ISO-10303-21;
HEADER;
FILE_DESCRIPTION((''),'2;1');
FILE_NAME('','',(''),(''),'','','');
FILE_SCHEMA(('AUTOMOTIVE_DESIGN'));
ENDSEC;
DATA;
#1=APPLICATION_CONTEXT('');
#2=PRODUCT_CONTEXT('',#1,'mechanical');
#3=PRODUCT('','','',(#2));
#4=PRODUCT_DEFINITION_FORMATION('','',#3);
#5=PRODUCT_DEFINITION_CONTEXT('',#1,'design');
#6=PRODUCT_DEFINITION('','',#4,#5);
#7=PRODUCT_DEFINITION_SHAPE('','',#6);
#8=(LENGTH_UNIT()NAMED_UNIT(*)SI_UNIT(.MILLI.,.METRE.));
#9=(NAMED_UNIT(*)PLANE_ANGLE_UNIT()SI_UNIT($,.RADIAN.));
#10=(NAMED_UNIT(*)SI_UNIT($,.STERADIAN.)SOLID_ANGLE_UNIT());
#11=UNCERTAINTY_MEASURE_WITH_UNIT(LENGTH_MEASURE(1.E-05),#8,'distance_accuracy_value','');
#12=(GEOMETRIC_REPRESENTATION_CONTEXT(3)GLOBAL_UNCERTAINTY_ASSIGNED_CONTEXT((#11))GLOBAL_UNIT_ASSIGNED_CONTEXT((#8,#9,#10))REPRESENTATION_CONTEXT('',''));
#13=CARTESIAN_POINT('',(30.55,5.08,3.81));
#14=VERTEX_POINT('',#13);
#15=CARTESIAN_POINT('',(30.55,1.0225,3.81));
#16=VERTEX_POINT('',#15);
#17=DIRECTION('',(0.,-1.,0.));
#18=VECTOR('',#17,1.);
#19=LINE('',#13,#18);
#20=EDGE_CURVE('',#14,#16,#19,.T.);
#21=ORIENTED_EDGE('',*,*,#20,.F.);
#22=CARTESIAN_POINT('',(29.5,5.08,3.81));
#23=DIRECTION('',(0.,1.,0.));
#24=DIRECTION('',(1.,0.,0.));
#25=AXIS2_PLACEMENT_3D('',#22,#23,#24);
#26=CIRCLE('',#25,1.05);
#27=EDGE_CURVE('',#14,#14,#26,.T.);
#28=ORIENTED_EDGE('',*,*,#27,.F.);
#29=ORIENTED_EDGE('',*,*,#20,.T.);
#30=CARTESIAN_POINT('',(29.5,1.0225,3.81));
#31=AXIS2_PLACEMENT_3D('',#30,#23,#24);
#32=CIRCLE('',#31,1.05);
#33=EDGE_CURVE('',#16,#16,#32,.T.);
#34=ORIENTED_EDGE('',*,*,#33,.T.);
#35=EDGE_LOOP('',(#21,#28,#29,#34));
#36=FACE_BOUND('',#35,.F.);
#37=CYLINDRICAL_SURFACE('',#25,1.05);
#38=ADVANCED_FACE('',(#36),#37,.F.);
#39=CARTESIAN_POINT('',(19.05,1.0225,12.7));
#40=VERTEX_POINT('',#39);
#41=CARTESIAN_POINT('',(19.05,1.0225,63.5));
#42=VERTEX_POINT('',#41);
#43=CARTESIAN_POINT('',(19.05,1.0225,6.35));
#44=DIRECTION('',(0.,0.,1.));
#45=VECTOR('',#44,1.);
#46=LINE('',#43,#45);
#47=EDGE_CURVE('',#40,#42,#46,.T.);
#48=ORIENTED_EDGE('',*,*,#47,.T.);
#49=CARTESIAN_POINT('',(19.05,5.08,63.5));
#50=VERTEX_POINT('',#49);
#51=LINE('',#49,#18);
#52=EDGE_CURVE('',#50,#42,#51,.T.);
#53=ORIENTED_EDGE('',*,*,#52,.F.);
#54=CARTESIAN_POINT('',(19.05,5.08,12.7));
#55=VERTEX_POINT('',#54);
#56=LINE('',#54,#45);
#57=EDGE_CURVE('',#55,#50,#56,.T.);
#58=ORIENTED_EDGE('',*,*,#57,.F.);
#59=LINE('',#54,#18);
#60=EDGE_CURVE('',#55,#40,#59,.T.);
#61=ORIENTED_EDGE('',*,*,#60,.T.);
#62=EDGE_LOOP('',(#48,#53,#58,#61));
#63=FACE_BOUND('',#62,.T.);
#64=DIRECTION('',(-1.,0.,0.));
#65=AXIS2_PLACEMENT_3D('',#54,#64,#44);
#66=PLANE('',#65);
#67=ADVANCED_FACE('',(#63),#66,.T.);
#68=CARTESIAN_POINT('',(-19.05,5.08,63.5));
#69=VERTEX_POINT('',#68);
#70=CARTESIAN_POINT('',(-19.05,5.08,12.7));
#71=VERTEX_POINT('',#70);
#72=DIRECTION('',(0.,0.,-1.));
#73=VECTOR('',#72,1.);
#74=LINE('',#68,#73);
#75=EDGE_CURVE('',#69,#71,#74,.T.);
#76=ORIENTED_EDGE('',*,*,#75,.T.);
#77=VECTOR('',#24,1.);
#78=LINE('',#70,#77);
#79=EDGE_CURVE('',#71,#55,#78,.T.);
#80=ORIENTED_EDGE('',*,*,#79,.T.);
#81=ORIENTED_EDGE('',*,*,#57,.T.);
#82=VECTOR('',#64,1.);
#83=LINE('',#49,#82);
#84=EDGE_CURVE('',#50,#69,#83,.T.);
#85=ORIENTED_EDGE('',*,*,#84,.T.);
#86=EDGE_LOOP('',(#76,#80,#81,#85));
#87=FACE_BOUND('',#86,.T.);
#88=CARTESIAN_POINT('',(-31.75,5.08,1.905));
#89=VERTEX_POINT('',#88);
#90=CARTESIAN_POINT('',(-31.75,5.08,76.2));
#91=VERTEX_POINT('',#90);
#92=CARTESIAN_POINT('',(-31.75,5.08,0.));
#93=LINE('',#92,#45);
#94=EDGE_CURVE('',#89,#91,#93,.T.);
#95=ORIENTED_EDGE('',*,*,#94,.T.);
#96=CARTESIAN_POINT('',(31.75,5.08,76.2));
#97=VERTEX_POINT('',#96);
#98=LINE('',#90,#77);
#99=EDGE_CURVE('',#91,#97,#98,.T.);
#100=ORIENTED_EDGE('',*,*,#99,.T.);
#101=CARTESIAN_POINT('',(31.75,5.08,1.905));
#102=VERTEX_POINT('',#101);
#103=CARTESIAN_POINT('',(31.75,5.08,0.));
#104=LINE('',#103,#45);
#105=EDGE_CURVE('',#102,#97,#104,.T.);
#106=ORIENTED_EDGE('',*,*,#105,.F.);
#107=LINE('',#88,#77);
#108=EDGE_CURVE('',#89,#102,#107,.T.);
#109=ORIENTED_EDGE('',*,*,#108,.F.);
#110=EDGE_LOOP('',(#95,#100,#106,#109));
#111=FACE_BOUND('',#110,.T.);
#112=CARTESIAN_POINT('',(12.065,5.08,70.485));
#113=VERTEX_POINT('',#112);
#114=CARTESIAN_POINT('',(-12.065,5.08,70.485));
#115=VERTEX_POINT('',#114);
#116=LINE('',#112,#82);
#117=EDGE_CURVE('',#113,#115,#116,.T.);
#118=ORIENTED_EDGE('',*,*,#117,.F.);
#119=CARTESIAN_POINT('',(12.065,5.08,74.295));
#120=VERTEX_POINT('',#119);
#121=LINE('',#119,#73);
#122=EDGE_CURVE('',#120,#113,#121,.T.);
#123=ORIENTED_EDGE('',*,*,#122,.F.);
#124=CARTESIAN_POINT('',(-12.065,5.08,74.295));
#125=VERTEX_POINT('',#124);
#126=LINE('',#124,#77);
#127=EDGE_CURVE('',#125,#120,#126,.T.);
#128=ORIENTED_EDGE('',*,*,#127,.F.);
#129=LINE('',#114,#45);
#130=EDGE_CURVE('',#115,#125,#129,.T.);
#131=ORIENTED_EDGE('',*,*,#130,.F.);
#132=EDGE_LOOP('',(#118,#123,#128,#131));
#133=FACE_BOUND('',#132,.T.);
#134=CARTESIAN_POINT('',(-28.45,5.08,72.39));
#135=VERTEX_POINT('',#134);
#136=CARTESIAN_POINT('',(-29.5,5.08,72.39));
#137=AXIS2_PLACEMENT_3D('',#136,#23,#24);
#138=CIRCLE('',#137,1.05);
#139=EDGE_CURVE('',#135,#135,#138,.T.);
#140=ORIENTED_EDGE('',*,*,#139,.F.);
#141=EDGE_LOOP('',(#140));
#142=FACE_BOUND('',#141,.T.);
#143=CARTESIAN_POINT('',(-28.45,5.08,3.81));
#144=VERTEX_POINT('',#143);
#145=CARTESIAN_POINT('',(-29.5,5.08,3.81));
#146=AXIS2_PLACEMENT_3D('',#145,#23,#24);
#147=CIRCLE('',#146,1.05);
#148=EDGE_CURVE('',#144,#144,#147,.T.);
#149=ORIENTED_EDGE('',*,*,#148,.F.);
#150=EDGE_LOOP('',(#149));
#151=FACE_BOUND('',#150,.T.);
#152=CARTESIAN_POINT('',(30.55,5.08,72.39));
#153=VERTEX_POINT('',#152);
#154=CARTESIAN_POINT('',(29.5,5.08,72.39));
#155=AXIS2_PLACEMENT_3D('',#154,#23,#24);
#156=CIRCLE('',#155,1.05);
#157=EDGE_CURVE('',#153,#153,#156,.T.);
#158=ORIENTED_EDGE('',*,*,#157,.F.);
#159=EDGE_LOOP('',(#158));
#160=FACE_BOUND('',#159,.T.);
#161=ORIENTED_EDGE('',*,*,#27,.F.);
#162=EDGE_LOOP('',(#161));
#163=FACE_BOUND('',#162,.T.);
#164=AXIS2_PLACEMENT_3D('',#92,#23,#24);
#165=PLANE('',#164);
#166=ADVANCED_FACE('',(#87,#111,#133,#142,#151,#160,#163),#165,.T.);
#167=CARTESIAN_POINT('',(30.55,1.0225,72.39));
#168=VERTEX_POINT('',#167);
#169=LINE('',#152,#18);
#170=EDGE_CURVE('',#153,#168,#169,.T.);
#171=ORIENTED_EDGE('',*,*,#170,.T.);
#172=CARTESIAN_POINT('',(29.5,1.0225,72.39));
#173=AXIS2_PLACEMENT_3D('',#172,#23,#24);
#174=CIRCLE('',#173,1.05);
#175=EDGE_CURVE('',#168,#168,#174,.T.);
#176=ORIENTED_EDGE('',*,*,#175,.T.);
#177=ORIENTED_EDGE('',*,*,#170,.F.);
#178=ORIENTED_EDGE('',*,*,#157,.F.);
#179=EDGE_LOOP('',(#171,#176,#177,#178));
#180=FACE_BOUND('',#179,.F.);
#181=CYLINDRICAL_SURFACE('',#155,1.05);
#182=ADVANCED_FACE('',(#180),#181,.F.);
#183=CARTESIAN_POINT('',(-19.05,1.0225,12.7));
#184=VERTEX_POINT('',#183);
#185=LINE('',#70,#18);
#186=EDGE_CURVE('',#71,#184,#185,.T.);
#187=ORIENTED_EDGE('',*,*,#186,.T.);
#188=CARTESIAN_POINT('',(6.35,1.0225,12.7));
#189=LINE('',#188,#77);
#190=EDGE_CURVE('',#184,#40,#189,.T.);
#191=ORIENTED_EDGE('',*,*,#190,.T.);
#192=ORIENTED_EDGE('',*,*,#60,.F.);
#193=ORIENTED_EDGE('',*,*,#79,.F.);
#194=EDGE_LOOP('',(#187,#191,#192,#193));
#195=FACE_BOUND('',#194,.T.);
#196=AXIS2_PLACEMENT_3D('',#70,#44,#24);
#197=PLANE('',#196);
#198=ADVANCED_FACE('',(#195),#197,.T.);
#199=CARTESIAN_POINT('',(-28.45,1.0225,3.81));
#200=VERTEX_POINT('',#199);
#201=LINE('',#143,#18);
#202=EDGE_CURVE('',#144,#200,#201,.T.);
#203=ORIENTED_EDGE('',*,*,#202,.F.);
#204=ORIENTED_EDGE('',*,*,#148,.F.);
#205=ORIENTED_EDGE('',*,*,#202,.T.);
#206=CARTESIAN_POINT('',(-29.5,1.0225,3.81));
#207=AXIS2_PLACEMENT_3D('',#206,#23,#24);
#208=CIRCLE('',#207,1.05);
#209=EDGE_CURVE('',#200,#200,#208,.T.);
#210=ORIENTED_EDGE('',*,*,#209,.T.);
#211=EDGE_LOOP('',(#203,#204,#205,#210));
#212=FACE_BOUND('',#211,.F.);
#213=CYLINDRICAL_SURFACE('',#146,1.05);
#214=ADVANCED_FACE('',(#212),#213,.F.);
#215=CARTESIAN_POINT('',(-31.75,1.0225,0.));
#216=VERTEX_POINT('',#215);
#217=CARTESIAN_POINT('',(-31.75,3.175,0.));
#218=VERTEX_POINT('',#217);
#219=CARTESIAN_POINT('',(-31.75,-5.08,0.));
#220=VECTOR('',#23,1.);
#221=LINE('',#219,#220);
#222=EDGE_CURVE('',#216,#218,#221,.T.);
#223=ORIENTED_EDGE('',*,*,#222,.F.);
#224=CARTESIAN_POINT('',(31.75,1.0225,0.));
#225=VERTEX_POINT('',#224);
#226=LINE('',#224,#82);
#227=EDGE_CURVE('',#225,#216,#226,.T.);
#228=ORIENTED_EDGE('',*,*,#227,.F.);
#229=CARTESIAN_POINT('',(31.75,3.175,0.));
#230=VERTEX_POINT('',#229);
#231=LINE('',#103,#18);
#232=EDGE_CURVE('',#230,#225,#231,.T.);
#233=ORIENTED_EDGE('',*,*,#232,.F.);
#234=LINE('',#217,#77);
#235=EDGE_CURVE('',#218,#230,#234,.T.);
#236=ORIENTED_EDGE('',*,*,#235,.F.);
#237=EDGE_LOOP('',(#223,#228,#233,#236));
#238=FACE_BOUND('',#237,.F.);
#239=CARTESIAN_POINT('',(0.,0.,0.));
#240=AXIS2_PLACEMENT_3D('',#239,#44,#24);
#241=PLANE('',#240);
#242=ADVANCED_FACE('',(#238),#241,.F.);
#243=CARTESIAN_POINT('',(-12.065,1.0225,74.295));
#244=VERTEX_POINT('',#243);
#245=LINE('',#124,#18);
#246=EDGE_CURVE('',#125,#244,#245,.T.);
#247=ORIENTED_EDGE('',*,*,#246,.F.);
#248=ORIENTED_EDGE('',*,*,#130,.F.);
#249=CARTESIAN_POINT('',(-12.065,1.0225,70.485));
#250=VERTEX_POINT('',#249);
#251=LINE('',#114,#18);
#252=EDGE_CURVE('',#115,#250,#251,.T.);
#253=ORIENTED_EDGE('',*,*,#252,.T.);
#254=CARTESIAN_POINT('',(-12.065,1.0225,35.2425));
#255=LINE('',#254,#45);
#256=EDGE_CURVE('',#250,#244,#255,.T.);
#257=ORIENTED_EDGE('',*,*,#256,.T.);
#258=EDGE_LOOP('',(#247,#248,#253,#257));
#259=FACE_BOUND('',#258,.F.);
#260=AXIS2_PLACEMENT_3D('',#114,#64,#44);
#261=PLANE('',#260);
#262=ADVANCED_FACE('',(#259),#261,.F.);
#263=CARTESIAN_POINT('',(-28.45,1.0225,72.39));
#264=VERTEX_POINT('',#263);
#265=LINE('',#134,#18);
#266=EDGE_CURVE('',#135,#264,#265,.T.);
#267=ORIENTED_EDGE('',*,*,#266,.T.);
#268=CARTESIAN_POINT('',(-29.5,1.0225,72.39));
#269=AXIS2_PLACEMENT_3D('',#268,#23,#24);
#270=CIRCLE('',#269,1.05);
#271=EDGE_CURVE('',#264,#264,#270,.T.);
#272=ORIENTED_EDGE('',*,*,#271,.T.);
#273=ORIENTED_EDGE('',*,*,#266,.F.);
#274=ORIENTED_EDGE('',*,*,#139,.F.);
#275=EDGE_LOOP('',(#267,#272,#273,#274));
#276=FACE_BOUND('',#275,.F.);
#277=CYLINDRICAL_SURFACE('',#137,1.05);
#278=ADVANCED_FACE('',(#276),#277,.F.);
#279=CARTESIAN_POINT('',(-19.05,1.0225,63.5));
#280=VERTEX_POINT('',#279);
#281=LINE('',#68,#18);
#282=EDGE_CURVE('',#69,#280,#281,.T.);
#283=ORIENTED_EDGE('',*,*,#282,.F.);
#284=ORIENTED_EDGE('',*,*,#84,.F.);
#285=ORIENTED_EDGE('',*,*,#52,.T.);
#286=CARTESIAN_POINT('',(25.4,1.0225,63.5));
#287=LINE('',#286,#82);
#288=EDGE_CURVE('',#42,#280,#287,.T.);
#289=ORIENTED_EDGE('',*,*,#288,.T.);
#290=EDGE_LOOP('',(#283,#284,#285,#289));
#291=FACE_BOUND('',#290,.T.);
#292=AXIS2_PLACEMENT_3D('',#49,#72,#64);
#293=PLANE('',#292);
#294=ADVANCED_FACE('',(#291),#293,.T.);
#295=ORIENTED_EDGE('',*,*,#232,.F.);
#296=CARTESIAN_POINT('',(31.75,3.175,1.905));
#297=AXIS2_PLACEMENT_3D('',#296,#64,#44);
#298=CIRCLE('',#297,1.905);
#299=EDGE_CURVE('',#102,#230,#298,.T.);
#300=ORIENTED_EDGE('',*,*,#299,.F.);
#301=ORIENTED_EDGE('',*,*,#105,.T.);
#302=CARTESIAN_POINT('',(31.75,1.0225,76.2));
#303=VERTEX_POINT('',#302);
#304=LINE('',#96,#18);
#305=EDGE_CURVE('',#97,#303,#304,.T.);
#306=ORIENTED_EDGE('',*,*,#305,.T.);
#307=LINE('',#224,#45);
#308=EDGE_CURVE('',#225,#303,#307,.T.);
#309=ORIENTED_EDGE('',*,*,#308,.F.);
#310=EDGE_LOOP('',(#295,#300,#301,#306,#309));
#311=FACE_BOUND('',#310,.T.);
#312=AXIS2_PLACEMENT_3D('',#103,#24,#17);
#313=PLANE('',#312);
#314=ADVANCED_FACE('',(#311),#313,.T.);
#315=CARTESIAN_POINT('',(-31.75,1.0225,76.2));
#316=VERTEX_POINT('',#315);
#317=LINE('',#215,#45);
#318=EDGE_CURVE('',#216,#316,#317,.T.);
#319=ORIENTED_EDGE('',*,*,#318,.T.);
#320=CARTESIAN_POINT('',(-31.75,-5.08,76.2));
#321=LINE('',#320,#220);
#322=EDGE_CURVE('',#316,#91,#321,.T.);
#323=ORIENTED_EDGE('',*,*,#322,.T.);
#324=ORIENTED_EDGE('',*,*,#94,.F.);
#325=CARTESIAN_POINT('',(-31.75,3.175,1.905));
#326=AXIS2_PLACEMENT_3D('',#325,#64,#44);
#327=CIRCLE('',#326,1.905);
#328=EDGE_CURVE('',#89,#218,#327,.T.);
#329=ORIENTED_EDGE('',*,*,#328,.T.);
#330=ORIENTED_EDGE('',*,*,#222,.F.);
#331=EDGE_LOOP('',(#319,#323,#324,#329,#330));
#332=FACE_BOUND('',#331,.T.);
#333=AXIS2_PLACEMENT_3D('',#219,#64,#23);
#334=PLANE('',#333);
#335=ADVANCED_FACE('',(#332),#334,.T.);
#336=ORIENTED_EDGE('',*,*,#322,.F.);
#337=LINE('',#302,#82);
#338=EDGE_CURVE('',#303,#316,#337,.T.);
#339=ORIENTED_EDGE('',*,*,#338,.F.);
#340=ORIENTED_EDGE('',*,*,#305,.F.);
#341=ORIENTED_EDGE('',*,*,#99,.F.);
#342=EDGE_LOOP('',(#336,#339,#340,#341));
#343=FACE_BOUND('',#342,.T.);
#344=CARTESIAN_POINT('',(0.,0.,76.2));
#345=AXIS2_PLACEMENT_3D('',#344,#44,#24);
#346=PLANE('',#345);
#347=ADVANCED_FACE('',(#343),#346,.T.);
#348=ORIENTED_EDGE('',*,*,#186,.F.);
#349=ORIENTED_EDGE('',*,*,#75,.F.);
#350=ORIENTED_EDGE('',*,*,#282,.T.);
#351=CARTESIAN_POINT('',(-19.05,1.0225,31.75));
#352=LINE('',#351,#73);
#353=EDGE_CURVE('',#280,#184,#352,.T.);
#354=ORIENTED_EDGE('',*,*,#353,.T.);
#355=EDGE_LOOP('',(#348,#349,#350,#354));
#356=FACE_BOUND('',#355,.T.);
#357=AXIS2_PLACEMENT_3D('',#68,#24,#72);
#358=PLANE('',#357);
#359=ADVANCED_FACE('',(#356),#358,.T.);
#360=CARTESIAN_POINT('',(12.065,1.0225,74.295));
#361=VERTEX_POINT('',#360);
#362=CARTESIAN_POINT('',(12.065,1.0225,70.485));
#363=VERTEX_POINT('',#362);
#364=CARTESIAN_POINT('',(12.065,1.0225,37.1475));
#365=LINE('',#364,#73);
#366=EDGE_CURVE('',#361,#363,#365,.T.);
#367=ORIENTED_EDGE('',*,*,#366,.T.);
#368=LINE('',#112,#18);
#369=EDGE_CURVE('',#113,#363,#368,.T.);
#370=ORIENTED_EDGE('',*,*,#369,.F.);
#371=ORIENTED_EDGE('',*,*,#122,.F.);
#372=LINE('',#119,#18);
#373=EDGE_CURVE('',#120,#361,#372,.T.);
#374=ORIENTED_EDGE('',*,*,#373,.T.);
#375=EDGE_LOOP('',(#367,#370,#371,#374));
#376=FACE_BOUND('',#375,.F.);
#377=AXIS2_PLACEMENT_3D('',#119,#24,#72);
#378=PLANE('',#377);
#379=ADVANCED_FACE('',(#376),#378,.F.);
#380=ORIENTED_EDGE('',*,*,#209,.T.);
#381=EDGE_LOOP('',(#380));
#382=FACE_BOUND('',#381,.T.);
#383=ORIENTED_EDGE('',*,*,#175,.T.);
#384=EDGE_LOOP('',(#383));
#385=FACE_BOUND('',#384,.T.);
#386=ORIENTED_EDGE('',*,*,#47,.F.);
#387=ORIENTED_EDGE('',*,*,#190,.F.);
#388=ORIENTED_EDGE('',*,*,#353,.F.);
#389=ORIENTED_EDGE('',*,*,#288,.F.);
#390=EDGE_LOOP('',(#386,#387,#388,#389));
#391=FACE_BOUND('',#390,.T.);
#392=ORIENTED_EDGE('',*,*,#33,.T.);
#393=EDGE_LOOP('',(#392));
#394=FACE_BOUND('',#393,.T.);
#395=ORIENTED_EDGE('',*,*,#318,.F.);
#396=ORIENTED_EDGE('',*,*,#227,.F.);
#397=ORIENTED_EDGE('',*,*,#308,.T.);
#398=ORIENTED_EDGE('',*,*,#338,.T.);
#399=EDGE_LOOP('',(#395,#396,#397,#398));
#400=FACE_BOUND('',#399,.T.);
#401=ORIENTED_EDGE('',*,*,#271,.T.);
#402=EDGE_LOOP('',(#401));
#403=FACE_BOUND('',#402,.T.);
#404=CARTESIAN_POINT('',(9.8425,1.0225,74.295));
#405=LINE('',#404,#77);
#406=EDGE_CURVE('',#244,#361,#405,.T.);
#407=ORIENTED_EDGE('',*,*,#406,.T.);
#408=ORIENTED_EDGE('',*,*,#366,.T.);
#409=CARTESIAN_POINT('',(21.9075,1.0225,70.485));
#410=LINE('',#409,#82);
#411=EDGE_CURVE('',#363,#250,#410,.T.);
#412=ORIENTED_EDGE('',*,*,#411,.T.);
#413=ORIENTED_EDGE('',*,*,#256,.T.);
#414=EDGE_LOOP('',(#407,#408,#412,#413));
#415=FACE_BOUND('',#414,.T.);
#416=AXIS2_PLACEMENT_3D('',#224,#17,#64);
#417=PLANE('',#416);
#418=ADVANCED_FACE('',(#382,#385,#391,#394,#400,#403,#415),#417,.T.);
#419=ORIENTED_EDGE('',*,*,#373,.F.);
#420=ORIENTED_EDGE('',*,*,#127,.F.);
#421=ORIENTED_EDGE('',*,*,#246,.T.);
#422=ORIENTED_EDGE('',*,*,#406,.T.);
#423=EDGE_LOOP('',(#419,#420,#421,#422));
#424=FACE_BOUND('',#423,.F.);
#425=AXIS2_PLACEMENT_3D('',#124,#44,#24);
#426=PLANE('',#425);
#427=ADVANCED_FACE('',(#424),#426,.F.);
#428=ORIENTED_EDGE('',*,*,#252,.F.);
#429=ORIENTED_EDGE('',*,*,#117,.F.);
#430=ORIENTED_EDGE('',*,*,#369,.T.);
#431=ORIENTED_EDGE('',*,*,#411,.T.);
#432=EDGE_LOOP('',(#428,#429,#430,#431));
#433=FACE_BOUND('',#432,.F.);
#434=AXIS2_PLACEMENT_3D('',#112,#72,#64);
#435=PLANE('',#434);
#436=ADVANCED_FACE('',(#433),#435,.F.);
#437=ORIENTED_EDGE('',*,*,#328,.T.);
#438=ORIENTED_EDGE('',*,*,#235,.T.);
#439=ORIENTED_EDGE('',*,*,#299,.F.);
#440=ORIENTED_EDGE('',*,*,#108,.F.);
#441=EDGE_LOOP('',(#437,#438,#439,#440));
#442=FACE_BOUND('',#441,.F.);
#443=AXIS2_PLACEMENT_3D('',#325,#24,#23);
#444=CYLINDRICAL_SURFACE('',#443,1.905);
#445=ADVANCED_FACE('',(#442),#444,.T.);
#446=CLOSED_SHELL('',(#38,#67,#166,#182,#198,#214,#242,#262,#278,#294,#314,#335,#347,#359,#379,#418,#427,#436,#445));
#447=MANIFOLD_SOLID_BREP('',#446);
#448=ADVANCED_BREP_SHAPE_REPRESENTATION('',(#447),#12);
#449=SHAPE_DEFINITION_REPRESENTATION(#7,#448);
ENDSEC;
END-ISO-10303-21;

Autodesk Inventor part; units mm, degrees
ref_plane "YZ Plane" through (0, 0, 0) normal (1, 0, 0) x (0, 1, 0)
ref_plane "XZ Plane" through (0, 0, 0) normal (0, 1, 0) x (-1, 0, 0)
ref_plane "XY Plane" through (0, 0, 0) normal (0, 0, 1) x (1, 0, 0)
sketch "Sketch1" plane through (0, 0, 0) normal (0, 0, 1) x (1, 0, 0)
  line L0 (-31.75, 5.08) -> (31.75, 5.08)
  line L1 (31.75, 5.08) -> (31.75, -5.08)
  line L2 (31.75, -5.08) -> (-31.75, -5.08)
  line L3 (-31.75, -5.08) -> (-31.75, 5.08)
  point P0 (0, 0)
  dimension "d0" = 63.5
  dimension "d3" = 31.75
  dimension "d4" = 10.16
  dimension "d17" = 5.08
extrude "Extrusion1" add sketch "Sketch1" along normal blind 76.2
sketch "Sketch3" plane through (0, 0, 76.2) normal (0, 0, 1) x (1, 0, 0)
  line L0 (-27.25, 0.3875) -> (27.25, 0.3875)
  line L1 (27.25, 0.3875) -> (27.25, -0.3745)
  line L2 (27.25, -0.3745) -> (-27.25, -0.3745)
  line L3 (-27.25, -0.3745) -> (-27.25, 0.3875)
  line L4 (-31.75, 5.08) -> (-31.75, -5.08) projected
  point P0 (0, 0)
  point P1 (-27.25, 0.0065)
  dimension "d6" = 0.762
  dimension "d7" = 54.5
  dimension "d8" = 4.5
extrude "Extrusion2" cut sketch "Sketch3" against normal blind 85.1
sketch "Sketch8" plane through (0, 0, 76.2) normal (0, 0, 1) x (1, 0, 0)
  line L0 (-31.75, 5.08) -> (-31.75, -5.08) projected
  line L1 (31.75, -5.08) -> (31.75, 5.08) projected
  line L2 (-31.75, -5.08) -> (31.75, -5.08)
  line L3 (31.75, -5.08) -> (31.75, 0.3875)
  line L4 (31.75, 0.3875) -> (-31.75, 0.3875)
  line L5 (-31.75, 0.3875) -> (-31.75, -5.08)
  line L6 (-27.25, 0.3875) -> (27.25, 0.3875) projected
  point P0 (0, 0)
  point P1 (-31.75, 0.3875)
  dimension "d30" = 0
extrude "Extrusion6" cut sketch "Sketch8" against normal blind 76.2
sketch "Sketch9" plane through (-31.75, 5.08, 0) normal (0, 1, 0) x (1, 0, 0)
  line L0 (63.5, 0) -> (0, 0) projected
  line L1 (0, 0) -> (0, -76.2) projected
  line L2 (63.5, -76.2) -> (0, -76.2) projected
  line L3 (63.5, 0) -> (63.5, -76.2) projected
  line L4 (12.7, -12.7) -> (50.8, -12.7)
  line L5 (50.8, -12.7) -> (50.8, -63.5)
  line L6 (50.8, -63.5) -> (12.7, -63.5)
  line L7 (12.7, -63.5) -> (12.7, -12.7)
  point P0 (31.75, 0)
  dimension "d33" = 12.7
extrude "Extrusion7" cut sketch "Sketch9" against normal blind 25.4 contours L4 L5 L6 L7
sketch "Sketch11" plane through (-31.75, 5.08, 0) normal (0, 1, 0) x (1, 0, 0)
  circle A0 centre (61.25, -72.39) radius 1.05
  line L0 (59, -76.2) -> (63.5, -76.2)
  line L1 (59, 0) -> (59, -76.2)
  circle A1 centre (2.25, -72.39) radius 1.05
  line L2 (0, 0) -> (0, -76.2)
  line L3 (0, -76.2) -> (4.5, -76.2)
  circle A2 centre (2.25, -3.81) radius 1.05
  circle A3 centre (61.25, -3.81) radius 1.05
  line L4 (4.5, 0) -> (0, 0)
  line L5 (63.5, 0) -> (59, 0)
  line L6 (50.8, -12.7) -> (50.8, -63.5) projected
  line L7 (50.8, -63.5) -> (12.7, -63.5) projected
  line L8 (12.7, -63.5) -> (12.7, -12.7) projected
  line L9 (12.7, -12.7) -> (50.8, -12.7) projected
  line L10 (63.5, 0) -> (0, 0) projected
  line L11 (0, 0) -> (0, -76.2) projected
  line L12 (63.5, -76.2) -> (0, -76.2) projected
  line L13 (63.5, 0) -> (63.5, -76.2) projected
  point P0 (31.75, -76.2)
  dimension "d37" = 2.1
  dimension "d38" = 3.81
  dimension "d39" = 2.25
  dimension "d40" = 2.25
  dimension "d41" = 2.1
  dimension "d42" = 3.81
  dimension "d43" = 2.1
  dimension "d44" = 2.1
  dimension "d45" = 3.81
  dimension "d46" = 3.81
  dimension "d47" = 2.25
  dimension "d48" = 2.25
extrude "Extrusion8" cut sketch "Sketch11" against normal blind 25.4 contours A0 | A1 | A2 | A3
fillet "Fillet1" radius 1.905 1 edges at (0, 5.08, 0)
sketch "Sketch13" plane through (-31.75, 5.08, 76.2) normal (0, 1, 0) x (1, 0, 0)
  point P0 (31.75, 76.2)
sketch "Sketch14" plane through (-31.75, 5.08, 76.2) normal (0, 1, 0) x (1, 0, 0)
  line L0 (19.685, 1.905) -> (43.815, 1.905)
  line L1 (43.815, 1.905) -> (43.815, 5.715)
  line L2 (43.815, 5.715) -> (19.685, 5.715)
  line L3 (19.685, 5.715) -> (19.685, 1.905)
  line L4 (63.5, 76.2) -> (0, 76.2) projected
  line L5 (0, 74.295) -> (0, 0) projected
  line L6 (63.5, 74.295) -> (63.5, 0) projected
  line L7 (63.5, 0) -> (0, 0) projected
  point P0 (31.75, 76.2)
  dimension "d54" = 1.905
  dimension "d55" = 3.81
  dimension "d61" = 24.13
  dimension "d62" = 63.5
  dimension "d63" = 19.685
extrude "Extrusion9" cut sketch "Sketch14" against normal blind 25.4
sketch "Sketch15" plane through (0, 0, 0) normal (0, 0, -1) x (-1, 0, 0)
  line L0 (31.75, 0.3875) -> (-31.75, 0.3875) projected
  line L1 (-31.75, 0.3875) -> (-31.75, 5.08) projected
  line L2 (31.75, 0.3875) -> (-31.75, 0.3875)
  line L3 (-31.75, 0.3875) -> (-31.75, 1.0225)
  line L4 (-31.75, 1.0225) -> (31.75, 1.0225)
  line L5 (31.75, 1.0225) -> (31.75, 0.3875)
  point P0 (0, 0)
  dimension "d58" = 0.635
extrude "Extrusion10" cut sketch "Sketch15" against normal blind 76.2
properties part number "Scanner_Test_Bot"
